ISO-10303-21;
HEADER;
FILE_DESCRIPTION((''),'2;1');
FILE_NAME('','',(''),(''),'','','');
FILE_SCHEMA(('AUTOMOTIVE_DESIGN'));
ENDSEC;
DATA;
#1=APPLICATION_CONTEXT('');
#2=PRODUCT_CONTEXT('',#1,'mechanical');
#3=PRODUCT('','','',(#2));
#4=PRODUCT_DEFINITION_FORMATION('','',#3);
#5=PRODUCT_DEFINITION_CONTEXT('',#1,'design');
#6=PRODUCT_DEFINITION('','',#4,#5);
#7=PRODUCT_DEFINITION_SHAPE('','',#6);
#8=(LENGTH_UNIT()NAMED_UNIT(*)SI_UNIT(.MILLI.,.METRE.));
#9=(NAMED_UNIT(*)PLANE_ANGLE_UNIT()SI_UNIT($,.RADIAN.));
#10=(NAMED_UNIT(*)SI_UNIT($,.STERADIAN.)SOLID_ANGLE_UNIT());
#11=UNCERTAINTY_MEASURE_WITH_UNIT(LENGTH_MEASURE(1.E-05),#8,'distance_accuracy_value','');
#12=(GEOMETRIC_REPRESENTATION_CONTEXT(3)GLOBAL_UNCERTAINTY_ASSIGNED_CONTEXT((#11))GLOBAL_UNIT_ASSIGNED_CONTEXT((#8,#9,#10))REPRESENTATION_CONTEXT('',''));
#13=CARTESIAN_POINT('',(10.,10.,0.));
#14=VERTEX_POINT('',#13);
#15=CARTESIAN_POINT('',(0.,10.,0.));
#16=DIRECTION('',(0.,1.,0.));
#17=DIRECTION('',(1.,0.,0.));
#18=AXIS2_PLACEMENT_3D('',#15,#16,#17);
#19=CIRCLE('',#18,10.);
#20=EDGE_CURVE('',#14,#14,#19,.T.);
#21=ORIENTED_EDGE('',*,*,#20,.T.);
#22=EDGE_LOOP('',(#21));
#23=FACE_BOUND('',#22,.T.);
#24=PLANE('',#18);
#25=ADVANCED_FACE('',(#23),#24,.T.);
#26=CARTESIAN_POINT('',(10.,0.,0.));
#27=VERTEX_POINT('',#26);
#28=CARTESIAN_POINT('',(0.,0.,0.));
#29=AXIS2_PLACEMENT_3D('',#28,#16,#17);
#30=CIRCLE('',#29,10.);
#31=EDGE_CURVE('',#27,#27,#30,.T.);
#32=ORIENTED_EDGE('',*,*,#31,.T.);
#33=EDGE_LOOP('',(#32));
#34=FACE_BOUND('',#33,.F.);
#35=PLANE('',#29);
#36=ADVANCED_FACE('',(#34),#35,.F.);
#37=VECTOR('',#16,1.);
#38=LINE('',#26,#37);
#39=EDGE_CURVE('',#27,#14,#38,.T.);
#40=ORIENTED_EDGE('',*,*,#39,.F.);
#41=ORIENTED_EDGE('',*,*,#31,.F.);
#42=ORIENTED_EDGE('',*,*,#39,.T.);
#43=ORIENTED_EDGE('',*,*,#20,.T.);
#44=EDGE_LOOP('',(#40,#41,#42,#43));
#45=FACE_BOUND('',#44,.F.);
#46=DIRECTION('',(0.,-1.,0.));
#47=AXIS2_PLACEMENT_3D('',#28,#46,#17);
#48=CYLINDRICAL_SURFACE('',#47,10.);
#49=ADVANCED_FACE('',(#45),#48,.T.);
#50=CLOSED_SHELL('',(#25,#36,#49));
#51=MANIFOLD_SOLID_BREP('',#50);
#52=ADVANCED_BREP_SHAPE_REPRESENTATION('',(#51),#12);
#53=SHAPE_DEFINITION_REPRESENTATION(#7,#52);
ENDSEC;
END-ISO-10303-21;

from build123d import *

# Parameters (mm, degrees)
SKETCH1_R           = 10
BOSS_EXTRUDE1_DEPTH = 10


with BuildPart() as part:
    # Sketch1 → Boss-Extrude1 (new body)
    with BuildSketch(Plane(origin=(0, 0, 0), x_dir=(1, 0, 0), z_dir=(0, 1, 0))):
        Circle(SKETCH1_R)
    extrude(amount=BOSS_EXTRUDE1_DEPTH)


solid = part.part
